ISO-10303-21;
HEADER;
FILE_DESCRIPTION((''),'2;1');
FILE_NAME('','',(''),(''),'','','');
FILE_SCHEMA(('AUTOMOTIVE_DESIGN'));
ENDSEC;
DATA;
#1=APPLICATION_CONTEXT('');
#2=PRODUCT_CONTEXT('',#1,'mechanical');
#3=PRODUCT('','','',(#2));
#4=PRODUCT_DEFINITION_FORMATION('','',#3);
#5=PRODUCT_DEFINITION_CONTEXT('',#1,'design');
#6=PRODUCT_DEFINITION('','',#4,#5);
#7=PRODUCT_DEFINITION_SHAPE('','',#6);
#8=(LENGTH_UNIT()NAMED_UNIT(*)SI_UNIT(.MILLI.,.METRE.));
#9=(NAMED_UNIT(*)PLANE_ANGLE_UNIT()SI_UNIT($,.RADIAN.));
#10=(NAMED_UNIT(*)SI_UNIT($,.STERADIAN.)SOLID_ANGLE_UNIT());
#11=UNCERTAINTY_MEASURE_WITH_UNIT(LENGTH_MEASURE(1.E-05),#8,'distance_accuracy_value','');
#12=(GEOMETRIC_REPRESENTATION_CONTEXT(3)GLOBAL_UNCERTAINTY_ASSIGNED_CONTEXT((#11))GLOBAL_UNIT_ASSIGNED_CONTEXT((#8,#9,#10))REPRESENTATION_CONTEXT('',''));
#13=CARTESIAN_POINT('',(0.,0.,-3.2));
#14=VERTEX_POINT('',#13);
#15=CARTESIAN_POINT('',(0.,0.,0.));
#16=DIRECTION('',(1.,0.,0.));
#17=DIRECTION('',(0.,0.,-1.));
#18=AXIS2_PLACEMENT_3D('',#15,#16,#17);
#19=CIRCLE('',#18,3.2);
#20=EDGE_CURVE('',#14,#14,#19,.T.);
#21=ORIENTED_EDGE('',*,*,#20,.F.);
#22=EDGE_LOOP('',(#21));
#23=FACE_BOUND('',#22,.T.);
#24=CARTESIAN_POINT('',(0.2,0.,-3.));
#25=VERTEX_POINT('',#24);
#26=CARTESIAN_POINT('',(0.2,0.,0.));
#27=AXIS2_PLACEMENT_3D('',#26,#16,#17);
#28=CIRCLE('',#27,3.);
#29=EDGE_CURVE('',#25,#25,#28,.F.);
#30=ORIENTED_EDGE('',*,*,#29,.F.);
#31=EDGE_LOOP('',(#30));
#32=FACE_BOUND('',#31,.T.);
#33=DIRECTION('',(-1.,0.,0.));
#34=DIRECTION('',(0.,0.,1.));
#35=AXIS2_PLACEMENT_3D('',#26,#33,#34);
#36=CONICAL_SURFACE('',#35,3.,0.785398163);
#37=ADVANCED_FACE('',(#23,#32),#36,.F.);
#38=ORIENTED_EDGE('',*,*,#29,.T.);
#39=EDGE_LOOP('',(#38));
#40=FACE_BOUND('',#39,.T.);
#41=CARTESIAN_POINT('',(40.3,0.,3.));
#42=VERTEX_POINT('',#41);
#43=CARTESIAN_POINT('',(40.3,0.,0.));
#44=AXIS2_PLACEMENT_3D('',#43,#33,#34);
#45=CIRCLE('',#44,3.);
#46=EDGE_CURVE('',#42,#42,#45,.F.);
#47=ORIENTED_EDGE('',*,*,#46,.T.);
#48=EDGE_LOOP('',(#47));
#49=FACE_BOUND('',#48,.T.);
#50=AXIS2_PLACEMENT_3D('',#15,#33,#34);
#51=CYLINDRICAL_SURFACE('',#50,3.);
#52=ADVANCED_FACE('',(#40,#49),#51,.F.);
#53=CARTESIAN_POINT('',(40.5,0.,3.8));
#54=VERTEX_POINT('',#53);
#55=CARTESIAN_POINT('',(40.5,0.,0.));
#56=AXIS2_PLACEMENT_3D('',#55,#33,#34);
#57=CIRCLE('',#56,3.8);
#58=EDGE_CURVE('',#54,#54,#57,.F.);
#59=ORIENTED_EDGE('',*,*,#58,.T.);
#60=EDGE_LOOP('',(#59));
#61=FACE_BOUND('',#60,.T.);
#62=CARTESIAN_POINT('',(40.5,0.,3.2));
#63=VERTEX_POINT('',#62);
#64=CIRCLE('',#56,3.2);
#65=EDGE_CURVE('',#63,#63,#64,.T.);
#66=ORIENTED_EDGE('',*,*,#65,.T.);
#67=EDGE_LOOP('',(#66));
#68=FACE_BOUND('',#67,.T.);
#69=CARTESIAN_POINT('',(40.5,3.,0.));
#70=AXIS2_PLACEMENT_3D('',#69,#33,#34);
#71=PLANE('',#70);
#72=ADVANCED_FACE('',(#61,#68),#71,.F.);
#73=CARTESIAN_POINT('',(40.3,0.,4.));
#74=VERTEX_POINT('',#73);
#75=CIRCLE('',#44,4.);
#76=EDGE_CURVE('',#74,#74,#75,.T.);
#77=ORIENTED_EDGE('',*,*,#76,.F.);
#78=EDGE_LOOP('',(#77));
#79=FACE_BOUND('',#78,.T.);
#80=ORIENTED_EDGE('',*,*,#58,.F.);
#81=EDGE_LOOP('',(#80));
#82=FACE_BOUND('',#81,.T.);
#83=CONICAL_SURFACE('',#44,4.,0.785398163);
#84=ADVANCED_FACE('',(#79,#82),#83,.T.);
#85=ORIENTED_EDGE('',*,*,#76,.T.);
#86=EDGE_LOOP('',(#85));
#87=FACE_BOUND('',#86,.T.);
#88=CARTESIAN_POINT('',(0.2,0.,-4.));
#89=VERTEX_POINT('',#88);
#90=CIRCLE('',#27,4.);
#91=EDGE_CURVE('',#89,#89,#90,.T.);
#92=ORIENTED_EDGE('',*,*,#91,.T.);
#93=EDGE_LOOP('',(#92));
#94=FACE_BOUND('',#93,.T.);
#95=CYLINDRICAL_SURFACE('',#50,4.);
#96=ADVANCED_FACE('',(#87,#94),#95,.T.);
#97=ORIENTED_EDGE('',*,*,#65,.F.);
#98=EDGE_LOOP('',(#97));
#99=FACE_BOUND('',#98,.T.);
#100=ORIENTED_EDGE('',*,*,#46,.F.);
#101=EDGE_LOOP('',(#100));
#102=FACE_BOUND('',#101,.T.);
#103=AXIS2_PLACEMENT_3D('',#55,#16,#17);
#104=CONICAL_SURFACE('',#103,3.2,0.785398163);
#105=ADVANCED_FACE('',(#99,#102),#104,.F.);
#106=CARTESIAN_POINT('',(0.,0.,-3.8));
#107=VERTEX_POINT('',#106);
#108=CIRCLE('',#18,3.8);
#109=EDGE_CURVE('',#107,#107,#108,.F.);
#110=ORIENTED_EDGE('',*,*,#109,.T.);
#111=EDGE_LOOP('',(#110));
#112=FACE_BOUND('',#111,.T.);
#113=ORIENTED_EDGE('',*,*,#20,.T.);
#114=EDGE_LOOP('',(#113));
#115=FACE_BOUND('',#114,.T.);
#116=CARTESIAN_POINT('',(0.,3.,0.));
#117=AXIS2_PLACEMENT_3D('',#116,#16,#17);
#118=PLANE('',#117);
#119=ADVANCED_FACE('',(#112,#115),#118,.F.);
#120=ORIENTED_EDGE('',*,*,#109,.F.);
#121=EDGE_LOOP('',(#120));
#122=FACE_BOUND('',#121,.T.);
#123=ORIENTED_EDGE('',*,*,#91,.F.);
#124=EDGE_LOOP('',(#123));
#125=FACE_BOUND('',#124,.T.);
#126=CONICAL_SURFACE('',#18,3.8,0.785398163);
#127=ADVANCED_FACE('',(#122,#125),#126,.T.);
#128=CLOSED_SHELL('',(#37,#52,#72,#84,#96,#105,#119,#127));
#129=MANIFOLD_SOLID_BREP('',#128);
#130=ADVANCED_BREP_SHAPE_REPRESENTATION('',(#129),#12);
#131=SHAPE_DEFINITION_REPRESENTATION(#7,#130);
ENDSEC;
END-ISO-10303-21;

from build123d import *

# Parameters (mm, degrees)
SKETCH1_W     = 40.5
SKETCH1_H     = 1
CHAMFER1_SIZE = 0.2


with BuildPart() as part:
    # Sketch1 → Revolve1 (revolve)
    with BuildSketch(Plane.XY):
        with Locations((20.25, 3.5)):
            Rectangle(SKETCH1_W, SKETCH1_H)
    revolve(axis=Axis((0, 0, 0), (1, 0, 0)))

    # Chamfer1
    chamfer1_edges = [part.edges().sort_by_distance(p)[0] for p in [
        (0, -3, 0),
        (0, -4, 0),
        (40.5, -3, 0),
        (40.5, -4, 0),
    ]]
    chamfer(chamfer1_edges, length=CHAMFER1_SIZE)


solid = part.part
